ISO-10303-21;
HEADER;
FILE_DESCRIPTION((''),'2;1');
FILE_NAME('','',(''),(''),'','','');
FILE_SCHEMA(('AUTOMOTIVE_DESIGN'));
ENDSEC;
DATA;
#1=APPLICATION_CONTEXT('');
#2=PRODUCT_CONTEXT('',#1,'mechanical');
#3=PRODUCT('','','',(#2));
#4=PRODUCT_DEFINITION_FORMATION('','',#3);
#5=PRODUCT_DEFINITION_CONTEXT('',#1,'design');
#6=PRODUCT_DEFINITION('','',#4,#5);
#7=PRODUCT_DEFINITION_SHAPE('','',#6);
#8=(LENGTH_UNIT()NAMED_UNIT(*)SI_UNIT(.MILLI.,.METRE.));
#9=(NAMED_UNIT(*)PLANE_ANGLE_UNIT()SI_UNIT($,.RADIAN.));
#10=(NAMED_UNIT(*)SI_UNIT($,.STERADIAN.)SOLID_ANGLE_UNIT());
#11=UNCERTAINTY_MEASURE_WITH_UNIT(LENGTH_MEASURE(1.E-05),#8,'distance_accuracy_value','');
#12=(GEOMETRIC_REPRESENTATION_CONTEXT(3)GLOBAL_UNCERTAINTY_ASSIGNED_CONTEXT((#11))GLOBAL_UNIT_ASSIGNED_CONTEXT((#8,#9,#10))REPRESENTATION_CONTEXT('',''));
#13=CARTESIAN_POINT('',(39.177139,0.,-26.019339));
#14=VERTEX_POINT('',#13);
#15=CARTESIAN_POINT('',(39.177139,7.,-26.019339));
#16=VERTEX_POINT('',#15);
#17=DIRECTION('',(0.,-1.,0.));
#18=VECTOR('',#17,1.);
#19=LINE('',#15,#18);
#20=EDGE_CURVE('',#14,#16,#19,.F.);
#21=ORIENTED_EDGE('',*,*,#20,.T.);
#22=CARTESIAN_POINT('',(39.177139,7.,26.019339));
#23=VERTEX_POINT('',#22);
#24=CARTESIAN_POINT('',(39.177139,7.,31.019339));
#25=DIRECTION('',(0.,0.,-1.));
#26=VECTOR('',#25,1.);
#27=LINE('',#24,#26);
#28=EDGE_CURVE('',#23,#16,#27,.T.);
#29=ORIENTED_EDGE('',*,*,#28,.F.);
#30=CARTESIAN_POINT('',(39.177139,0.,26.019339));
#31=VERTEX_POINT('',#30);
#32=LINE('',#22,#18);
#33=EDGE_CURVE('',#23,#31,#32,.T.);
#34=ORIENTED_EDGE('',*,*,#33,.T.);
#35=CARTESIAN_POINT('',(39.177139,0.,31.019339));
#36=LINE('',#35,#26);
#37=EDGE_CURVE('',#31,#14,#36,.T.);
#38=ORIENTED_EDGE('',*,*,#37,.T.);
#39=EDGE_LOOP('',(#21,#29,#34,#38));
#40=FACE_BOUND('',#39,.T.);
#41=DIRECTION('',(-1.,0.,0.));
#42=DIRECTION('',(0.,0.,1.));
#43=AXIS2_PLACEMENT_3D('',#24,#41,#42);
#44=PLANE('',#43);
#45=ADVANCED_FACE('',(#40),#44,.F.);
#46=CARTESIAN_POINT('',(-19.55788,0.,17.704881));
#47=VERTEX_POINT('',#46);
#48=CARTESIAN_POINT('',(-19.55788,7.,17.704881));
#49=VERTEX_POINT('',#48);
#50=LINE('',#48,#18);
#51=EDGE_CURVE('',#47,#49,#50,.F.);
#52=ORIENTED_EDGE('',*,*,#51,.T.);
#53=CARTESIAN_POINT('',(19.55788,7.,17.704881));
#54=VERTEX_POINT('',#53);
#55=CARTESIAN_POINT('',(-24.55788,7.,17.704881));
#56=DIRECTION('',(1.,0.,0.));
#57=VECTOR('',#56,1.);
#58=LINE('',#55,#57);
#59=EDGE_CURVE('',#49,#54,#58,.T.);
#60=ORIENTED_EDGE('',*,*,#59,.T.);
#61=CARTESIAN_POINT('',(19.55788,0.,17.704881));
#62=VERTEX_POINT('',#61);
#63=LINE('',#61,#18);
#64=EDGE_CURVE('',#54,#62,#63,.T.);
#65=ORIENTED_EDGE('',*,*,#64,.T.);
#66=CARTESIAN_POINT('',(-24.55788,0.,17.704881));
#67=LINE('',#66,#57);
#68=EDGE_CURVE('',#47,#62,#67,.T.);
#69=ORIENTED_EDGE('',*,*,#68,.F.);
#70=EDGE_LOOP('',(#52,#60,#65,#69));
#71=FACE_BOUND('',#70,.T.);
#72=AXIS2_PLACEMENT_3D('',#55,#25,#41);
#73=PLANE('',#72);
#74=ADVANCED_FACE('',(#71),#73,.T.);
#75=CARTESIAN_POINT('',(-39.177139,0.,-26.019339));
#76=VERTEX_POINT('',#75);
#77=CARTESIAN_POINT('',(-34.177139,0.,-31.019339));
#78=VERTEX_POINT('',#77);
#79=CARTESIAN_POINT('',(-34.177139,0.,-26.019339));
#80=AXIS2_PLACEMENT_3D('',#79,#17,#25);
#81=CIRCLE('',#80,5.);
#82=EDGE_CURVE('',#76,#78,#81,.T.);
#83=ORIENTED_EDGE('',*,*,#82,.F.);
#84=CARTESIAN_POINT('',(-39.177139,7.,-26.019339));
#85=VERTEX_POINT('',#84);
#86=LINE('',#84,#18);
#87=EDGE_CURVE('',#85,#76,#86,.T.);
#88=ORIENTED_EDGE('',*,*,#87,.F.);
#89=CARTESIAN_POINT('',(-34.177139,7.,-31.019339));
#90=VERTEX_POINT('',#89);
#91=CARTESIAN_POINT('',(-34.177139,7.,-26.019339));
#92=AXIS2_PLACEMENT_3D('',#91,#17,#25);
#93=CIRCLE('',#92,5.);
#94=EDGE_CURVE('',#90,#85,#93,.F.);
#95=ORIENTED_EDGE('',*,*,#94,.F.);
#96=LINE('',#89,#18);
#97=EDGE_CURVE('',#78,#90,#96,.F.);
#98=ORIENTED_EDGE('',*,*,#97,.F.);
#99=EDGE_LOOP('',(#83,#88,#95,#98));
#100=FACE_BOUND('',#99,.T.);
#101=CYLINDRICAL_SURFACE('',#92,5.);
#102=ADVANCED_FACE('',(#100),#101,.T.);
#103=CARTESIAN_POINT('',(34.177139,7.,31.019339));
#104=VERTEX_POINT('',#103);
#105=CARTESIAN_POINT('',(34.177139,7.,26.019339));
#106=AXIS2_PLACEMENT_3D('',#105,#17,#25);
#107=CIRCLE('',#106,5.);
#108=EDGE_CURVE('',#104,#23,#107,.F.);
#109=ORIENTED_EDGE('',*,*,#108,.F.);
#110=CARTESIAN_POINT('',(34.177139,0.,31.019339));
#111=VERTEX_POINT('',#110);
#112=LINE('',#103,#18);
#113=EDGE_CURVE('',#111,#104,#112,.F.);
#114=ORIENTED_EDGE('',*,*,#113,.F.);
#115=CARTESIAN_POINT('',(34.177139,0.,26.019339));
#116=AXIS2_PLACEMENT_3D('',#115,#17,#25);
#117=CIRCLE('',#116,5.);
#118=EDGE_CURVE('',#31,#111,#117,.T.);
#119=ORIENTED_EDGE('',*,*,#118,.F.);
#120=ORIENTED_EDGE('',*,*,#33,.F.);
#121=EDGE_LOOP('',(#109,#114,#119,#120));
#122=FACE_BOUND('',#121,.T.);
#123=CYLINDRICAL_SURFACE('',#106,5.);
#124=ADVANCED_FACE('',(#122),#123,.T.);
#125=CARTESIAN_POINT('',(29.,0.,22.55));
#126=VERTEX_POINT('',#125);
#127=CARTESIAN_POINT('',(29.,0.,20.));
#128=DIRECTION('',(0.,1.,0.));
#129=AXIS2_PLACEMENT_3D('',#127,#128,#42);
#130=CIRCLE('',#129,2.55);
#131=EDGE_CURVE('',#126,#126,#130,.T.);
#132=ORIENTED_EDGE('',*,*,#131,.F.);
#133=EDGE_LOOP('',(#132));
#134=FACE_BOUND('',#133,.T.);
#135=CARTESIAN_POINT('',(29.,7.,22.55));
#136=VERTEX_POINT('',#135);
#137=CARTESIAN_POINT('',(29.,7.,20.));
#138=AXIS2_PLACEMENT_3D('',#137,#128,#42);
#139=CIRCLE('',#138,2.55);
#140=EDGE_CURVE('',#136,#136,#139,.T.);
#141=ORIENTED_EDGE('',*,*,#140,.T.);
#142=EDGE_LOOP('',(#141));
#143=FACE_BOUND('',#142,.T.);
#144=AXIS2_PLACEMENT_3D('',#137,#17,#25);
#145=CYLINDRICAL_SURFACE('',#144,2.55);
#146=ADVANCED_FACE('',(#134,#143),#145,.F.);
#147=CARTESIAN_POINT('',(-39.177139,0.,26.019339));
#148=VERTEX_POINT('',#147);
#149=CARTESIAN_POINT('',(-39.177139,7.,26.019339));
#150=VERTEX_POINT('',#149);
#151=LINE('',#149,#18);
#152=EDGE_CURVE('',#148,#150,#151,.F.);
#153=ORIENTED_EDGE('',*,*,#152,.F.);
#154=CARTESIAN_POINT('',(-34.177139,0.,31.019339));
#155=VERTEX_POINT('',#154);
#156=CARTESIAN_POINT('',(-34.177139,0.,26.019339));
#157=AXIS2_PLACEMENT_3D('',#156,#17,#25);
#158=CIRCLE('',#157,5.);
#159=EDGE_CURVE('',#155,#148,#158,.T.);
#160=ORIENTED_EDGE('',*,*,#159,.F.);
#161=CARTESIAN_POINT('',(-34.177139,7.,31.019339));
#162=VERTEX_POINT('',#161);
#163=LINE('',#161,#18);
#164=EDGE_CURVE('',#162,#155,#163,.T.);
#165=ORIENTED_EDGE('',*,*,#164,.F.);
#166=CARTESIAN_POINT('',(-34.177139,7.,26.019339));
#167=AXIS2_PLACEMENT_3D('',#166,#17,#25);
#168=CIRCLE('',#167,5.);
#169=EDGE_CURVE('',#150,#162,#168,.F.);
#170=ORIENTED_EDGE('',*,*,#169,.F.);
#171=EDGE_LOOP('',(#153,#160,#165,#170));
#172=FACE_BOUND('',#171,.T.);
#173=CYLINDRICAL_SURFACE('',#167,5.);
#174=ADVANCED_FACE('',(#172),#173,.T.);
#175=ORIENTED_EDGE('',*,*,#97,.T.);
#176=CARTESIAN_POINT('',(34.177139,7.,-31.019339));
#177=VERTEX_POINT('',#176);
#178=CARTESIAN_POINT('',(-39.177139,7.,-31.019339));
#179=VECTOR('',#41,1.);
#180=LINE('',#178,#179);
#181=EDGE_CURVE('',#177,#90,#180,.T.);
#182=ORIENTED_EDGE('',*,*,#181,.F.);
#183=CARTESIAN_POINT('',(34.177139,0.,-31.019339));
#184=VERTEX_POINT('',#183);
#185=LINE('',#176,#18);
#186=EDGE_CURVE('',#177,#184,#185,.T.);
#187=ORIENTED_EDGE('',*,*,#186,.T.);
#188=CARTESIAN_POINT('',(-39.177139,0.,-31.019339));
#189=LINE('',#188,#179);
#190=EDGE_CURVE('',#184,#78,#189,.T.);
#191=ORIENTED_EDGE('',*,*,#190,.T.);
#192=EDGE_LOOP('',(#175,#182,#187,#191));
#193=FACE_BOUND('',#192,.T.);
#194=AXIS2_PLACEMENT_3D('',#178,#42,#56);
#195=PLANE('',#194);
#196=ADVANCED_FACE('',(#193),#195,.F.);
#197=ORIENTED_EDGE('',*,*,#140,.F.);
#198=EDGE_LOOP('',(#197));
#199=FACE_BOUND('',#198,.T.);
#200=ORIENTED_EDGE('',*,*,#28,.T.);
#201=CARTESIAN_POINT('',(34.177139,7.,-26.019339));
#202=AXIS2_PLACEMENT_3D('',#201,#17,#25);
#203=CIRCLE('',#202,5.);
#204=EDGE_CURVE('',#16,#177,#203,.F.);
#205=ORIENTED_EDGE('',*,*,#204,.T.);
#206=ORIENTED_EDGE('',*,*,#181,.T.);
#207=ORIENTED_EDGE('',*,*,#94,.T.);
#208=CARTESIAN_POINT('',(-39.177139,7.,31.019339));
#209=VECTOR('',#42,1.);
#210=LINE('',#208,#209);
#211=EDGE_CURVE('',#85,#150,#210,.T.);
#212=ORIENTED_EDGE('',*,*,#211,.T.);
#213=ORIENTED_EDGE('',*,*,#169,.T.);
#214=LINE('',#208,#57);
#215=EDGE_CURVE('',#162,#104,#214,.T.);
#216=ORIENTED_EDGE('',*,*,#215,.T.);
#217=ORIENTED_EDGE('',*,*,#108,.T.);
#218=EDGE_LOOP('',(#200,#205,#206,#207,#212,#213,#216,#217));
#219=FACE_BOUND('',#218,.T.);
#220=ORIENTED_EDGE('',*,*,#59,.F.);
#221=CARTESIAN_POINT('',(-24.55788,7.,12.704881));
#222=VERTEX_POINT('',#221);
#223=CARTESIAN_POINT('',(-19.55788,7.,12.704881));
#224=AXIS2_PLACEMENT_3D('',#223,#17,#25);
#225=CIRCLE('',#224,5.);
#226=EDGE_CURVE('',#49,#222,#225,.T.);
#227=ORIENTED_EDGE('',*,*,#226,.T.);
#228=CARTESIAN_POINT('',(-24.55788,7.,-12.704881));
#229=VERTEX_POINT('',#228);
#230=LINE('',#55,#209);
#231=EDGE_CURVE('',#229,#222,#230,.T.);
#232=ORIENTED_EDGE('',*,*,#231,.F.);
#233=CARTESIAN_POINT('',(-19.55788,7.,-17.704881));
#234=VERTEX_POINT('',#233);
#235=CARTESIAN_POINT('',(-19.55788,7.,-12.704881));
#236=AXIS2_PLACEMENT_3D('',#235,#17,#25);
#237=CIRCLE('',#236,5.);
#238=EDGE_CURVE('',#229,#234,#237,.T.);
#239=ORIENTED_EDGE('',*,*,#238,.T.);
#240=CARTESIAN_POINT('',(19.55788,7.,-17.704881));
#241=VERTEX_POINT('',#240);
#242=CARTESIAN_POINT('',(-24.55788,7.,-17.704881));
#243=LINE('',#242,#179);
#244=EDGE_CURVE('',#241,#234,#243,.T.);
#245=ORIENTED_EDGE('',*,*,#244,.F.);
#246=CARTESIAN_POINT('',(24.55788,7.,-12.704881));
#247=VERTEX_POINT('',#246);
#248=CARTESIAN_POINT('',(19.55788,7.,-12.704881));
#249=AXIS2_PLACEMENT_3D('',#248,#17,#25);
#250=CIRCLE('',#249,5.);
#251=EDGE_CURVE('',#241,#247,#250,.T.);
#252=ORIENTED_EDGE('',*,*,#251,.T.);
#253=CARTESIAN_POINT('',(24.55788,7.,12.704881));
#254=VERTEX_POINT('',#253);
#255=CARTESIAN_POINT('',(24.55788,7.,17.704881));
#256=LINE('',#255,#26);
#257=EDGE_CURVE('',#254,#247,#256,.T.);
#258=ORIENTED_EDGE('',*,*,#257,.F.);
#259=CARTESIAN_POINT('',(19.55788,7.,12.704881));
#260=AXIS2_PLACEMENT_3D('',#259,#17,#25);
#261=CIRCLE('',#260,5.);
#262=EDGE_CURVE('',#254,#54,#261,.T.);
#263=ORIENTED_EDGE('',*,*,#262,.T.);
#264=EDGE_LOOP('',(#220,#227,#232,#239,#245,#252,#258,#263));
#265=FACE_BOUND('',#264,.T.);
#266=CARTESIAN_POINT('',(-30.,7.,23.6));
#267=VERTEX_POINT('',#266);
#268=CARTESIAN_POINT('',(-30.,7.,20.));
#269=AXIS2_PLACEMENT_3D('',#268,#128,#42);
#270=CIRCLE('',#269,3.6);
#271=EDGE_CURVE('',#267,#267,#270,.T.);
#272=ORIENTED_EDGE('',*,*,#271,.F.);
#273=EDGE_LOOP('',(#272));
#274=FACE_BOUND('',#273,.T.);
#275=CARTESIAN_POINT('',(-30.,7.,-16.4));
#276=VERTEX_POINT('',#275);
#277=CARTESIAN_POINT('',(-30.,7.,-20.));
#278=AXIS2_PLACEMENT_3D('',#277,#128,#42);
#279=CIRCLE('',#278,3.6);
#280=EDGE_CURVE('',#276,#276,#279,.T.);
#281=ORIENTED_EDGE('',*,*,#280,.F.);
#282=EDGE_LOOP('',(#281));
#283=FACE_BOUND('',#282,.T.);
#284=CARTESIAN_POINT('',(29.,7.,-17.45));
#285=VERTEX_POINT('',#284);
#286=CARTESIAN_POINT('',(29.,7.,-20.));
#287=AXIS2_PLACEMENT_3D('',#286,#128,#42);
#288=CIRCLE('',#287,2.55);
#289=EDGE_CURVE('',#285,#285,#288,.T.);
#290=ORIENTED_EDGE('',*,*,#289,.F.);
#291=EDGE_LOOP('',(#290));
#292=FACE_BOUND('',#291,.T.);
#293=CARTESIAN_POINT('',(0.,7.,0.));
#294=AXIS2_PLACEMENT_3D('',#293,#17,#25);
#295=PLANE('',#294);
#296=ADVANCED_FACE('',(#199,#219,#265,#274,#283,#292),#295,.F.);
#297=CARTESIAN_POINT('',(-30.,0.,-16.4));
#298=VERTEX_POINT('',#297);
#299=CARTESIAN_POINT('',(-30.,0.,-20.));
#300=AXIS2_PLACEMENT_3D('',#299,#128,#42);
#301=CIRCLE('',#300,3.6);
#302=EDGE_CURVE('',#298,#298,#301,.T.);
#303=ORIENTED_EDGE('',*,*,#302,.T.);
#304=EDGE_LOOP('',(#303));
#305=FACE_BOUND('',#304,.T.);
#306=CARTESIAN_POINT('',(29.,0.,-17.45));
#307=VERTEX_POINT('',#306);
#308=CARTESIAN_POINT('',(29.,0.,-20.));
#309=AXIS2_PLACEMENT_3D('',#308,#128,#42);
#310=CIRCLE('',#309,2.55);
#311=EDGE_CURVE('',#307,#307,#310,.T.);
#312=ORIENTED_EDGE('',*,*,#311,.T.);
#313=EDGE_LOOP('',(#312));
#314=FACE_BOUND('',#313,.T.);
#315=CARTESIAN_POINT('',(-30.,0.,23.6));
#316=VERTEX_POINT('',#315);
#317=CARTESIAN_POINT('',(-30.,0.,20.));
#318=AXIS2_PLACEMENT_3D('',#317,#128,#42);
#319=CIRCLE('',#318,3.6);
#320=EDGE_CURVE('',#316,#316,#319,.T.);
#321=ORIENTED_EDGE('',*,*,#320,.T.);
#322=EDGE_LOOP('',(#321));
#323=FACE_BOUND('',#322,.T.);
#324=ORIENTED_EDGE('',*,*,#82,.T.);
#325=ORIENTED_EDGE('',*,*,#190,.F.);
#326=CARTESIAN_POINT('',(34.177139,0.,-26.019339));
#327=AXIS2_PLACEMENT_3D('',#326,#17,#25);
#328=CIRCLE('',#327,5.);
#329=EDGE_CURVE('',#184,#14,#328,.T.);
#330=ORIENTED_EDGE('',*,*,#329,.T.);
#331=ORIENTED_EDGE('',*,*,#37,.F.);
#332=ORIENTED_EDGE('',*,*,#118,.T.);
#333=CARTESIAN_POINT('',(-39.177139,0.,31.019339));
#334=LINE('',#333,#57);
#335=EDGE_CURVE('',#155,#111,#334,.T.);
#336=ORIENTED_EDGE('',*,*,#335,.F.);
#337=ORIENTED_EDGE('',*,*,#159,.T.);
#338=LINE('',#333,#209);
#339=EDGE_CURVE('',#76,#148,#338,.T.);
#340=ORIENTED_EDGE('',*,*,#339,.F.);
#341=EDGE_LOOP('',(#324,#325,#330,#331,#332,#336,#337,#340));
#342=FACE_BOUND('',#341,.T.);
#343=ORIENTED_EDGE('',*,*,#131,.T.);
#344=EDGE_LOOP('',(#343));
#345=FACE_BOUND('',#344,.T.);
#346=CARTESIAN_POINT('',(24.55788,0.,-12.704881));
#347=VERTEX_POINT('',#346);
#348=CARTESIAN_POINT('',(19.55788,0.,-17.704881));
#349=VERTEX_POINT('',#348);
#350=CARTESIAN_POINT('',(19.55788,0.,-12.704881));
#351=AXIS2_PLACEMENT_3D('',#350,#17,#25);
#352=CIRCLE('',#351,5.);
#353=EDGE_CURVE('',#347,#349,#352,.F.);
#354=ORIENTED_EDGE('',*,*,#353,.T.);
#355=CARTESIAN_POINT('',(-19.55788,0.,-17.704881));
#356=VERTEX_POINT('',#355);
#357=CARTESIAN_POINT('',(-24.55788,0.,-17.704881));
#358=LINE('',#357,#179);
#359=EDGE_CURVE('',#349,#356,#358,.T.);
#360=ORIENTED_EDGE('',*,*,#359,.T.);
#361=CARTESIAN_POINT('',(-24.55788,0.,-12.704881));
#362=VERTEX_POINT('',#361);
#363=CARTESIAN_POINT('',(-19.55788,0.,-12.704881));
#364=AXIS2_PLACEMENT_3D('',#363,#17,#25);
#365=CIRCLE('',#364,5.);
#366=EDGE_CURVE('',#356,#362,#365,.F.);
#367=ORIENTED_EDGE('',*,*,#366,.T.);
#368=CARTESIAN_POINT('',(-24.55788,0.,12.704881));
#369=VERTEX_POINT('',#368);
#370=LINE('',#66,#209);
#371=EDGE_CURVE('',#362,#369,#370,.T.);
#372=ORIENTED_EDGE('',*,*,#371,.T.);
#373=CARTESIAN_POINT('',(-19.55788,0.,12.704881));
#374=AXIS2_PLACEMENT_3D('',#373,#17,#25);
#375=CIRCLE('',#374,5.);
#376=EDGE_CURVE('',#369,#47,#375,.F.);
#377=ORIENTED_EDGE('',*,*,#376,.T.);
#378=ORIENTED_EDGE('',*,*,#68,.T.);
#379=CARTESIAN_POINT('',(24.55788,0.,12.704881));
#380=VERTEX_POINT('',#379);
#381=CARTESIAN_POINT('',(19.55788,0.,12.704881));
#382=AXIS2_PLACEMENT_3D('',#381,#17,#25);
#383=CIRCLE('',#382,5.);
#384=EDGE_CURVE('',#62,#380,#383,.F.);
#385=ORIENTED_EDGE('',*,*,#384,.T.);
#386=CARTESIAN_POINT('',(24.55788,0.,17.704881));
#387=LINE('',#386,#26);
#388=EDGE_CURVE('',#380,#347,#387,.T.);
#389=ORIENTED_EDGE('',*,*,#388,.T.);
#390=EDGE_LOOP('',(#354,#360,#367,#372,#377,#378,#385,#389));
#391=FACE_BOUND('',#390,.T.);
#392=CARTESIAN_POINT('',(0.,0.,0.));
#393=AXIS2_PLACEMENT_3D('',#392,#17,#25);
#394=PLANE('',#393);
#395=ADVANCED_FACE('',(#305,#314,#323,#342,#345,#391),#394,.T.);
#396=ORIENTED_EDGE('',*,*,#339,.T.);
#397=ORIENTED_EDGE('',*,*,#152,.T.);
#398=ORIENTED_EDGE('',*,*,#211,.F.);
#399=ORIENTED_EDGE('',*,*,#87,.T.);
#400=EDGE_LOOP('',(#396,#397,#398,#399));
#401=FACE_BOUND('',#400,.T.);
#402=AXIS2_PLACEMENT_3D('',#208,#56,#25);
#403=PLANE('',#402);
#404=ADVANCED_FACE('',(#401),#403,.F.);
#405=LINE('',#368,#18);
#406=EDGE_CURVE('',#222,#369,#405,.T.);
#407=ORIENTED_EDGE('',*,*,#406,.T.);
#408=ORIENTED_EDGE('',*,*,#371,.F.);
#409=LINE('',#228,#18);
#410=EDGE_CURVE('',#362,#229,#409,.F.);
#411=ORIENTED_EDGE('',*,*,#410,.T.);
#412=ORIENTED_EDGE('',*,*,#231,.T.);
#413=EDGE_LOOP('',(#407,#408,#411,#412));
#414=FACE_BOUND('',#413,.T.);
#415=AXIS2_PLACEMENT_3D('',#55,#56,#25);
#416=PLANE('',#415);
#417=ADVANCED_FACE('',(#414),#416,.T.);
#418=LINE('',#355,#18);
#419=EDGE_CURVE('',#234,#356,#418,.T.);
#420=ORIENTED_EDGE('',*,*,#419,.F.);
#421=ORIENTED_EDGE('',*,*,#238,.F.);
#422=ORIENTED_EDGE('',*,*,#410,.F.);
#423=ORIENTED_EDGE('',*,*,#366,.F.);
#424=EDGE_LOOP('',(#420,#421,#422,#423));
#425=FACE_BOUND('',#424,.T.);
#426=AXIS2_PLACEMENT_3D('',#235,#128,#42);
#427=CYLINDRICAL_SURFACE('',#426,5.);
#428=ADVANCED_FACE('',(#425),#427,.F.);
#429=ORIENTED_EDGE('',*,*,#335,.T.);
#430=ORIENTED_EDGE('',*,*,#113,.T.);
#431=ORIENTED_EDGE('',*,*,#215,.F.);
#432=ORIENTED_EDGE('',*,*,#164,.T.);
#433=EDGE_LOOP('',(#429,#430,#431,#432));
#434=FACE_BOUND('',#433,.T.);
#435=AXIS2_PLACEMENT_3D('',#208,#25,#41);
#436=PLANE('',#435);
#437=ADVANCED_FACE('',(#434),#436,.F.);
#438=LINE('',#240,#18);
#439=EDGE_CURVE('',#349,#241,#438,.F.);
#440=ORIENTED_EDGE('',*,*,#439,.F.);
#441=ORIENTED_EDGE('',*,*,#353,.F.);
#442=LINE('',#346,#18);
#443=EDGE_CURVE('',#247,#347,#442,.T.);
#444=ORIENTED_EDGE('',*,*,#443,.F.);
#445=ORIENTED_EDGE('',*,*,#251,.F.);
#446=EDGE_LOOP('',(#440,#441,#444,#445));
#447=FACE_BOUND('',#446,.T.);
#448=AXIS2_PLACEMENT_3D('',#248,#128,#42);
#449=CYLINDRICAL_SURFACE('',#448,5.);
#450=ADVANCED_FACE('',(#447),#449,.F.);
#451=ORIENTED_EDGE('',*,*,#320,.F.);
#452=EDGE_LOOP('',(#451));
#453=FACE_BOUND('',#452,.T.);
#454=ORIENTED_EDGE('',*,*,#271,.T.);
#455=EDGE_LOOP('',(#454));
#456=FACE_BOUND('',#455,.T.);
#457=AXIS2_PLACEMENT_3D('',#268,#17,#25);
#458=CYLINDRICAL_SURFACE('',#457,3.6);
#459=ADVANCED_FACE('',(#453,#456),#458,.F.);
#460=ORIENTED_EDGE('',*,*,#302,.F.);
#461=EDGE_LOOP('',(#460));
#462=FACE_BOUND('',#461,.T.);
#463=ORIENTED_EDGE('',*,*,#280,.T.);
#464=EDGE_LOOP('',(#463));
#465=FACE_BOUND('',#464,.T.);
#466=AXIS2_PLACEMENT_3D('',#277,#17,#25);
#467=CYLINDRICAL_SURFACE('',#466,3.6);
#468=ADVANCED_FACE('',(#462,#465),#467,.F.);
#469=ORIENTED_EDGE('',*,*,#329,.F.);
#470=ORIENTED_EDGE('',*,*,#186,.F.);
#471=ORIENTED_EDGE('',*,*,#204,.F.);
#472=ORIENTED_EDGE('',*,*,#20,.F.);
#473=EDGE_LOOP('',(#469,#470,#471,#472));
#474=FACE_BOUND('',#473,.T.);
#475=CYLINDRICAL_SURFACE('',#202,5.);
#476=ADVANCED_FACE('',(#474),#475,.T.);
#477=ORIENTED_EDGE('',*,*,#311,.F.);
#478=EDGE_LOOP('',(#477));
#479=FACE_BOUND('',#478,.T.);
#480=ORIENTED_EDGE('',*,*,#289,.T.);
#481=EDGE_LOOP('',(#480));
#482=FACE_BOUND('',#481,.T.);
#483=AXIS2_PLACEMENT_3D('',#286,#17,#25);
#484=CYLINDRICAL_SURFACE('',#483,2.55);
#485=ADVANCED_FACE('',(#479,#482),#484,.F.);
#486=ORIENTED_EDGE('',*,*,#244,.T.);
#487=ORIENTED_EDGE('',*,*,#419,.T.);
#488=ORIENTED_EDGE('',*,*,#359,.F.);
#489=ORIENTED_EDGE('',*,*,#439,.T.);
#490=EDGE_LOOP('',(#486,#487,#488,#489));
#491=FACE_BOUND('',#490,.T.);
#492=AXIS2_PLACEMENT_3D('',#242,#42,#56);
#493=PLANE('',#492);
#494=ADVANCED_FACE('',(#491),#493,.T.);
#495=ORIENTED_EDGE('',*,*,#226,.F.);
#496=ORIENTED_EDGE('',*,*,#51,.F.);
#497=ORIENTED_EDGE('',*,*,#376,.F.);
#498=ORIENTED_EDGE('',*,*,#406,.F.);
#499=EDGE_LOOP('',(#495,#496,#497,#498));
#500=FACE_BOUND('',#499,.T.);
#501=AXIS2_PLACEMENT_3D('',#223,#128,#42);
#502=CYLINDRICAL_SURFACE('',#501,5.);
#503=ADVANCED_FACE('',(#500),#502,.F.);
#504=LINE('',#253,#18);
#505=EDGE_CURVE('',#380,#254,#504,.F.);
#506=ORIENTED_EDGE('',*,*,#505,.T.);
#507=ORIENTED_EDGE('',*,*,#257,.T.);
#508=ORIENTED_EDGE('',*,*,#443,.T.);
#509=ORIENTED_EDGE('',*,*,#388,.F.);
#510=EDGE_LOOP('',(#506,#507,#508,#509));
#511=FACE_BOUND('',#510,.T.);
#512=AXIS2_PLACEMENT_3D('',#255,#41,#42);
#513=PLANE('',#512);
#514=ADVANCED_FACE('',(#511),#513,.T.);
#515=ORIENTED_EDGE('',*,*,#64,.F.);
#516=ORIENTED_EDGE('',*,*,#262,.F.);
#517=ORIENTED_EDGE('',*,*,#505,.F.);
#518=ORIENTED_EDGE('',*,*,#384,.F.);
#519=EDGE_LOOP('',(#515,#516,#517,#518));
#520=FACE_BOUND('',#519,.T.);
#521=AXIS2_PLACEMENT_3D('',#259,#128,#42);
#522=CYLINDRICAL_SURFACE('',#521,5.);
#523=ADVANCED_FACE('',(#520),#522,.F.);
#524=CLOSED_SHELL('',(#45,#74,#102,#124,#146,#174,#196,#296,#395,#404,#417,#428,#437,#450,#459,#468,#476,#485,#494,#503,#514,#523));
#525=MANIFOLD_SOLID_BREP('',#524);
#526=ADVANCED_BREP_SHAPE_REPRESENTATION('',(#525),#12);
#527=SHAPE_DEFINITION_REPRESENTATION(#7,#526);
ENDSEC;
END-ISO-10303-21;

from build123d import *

# Parameters (mm, degrees)
SKETCH1_W           = 78.3542787
SKETCH1_H           = 62.038678242
SKETCH1_R           = 2.55
SKETCH1_R_2         = 3.6
SKETCH1_W_2         = 49.11576042
SKETCH1_H_2         = 35.409761762
BOSS_EXTRUDE1_DEPTH = 7
FILLET2_R           = 5


with BuildPart() as part:
    # Sketch1 → Boss-Extrude1 (new body)
    with BuildSketch(Plane(origin=(0, 0, 0), x_dir=(1, 0, 0), z_dir=(0, 1, 0))):
        Rectangle(SKETCH1_W, SKETCH1_H)
        with Locations(Location((29, 20, 0), (0, 0, 270))):
            Circle(SKETCH1_R, mode=Mode.SUBTRACT)
        with Locations(Location((29, -20, 0), (0, 0, 270))):
            Circle(SKETCH1_R, mode=Mode.SUBTRACT)
        with Locations(Location((-30, -20, 0), (0, 0, 270))):
            Circle(SKETCH1_R_2, mode=Mode.SUBTRACT)
        with Locations(Location((-30, 20, 0), (0, 0, 270))):
            Circle(SKETCH1_R_2, mode=Mode.SUBTRACT)
        Rectangle(SKETCH1_W_2, SKETCH1_H_2, mode=Mode.SUBTRACT)
    extrude(amount=BOSS_EXTRUDE1_DEPTH)

    # Fillet2
    fillet2_edges = [part.edges().sort_by_distance(p)[0] for p in [
        (24.55788021, 3.5, 17.704880881),
        (24.55788021, 3.5, -17.704880881),
        (-24.55788021, 3.5, -17.704880881),
        (-24.55788021, 3.5, 17.704880881),
        (39.17713935, 3.5, 31.019339121),
        (-39.17713935, 3.5, 31.019339121),
        (-39.17713935, 3.5, -31.019339121),
        (39.17713935, 3.5, -31.019339121),
    ]]
    fillet(fillet2_edges, radius=FILLET2_R)


solid = part.part
